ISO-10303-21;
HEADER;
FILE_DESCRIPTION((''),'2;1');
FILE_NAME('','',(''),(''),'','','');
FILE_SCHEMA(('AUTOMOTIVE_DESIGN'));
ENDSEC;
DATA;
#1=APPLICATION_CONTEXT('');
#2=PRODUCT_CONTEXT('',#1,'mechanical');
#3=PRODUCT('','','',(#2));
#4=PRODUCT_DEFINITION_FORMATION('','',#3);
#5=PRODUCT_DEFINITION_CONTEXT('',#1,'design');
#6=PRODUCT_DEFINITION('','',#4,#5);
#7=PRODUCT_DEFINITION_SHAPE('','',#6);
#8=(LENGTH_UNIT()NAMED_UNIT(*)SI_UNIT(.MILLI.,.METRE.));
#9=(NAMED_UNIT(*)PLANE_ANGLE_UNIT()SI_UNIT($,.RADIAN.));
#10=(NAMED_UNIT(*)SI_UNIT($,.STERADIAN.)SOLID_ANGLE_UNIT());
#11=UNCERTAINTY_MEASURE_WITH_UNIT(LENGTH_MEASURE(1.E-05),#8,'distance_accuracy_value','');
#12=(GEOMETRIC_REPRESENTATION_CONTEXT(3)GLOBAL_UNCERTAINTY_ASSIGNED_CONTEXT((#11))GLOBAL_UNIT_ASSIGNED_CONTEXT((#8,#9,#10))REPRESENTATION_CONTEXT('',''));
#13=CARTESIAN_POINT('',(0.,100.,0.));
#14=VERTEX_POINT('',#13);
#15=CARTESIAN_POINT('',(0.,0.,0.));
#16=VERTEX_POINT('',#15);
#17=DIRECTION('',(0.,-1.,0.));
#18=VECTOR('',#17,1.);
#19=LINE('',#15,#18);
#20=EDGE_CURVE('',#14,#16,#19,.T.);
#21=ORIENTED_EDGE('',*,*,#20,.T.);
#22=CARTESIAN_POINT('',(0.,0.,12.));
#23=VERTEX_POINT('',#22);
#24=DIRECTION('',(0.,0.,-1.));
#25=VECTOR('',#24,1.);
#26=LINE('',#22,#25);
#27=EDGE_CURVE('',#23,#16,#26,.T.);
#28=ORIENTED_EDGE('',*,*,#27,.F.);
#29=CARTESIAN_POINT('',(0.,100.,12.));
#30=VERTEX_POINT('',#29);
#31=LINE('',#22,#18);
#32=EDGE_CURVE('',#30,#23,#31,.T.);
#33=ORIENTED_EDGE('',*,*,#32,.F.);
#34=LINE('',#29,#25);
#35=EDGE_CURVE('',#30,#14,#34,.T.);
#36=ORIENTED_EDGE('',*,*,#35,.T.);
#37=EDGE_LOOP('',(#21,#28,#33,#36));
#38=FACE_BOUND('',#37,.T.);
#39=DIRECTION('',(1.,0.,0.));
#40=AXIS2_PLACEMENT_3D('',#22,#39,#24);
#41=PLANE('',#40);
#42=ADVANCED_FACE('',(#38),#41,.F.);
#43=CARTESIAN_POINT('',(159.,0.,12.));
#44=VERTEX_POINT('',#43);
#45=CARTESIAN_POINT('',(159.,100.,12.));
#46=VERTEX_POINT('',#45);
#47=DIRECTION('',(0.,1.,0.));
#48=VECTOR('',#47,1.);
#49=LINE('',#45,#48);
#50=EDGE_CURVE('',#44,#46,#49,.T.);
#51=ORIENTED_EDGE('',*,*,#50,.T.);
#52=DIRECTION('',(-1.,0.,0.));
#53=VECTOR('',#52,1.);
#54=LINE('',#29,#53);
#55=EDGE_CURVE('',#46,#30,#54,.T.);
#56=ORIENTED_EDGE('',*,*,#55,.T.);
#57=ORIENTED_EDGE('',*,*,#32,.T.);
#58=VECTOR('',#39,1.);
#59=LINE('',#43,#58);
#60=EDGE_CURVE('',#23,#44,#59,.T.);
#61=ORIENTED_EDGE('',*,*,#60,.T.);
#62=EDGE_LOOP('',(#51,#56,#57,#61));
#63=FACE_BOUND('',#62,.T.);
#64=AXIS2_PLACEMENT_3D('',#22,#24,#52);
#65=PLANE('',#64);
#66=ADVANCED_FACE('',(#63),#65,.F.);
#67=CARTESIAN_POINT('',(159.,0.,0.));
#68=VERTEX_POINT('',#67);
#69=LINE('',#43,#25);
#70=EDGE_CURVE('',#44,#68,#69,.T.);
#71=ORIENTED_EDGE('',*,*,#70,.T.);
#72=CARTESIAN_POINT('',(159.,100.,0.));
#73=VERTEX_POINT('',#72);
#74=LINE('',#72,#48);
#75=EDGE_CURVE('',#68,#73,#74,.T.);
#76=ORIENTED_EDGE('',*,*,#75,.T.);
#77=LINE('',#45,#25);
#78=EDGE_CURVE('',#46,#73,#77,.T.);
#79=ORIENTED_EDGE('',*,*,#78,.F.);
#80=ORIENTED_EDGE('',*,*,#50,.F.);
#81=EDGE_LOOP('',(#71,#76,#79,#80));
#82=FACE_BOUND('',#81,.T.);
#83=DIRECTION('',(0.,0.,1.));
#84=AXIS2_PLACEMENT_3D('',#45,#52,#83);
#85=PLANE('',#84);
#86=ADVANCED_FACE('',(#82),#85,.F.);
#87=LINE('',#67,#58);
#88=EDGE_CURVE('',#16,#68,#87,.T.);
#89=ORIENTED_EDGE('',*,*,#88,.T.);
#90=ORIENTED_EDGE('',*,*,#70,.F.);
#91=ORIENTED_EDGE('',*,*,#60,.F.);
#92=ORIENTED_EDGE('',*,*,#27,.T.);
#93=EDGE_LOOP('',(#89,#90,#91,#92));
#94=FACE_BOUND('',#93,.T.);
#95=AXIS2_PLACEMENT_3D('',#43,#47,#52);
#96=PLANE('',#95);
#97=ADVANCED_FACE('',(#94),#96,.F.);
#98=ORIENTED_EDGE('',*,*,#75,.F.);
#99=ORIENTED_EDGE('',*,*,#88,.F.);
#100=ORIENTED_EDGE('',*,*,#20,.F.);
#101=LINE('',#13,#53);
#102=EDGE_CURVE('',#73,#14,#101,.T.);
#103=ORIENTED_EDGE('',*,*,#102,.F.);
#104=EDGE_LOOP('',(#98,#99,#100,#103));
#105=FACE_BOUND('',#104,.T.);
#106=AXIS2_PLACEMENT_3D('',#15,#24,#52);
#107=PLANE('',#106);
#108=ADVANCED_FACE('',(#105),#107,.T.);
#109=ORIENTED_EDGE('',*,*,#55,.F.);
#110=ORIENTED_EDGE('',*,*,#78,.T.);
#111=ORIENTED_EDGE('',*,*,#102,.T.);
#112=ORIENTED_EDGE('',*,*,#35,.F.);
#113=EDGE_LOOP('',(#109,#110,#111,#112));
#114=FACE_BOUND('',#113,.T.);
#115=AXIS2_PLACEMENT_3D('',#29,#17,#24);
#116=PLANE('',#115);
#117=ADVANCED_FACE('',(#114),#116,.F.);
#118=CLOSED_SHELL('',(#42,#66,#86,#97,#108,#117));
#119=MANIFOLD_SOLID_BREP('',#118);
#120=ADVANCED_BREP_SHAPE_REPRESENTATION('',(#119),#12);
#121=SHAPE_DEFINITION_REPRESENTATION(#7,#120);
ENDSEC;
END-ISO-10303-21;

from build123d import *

# Parameters (mm, degrees)
CROQUIS1_W              = 159
CROQUIS1_H              = 100
SALIENTE_EXTRUIR1_DEPTH = 12


with BuildPart() as part:
    # Croquis1 → Saliente-Extruir1 (new body)
    with BuildSketch(Plane.XY):
        with Locations((79.5, 50)):
            Rectangle(CROQUIS1_W, CROQUIS1_H)
    extrude(amount=SALIENTE_EXTRUIR1_DEPTH)


solid = part.part
